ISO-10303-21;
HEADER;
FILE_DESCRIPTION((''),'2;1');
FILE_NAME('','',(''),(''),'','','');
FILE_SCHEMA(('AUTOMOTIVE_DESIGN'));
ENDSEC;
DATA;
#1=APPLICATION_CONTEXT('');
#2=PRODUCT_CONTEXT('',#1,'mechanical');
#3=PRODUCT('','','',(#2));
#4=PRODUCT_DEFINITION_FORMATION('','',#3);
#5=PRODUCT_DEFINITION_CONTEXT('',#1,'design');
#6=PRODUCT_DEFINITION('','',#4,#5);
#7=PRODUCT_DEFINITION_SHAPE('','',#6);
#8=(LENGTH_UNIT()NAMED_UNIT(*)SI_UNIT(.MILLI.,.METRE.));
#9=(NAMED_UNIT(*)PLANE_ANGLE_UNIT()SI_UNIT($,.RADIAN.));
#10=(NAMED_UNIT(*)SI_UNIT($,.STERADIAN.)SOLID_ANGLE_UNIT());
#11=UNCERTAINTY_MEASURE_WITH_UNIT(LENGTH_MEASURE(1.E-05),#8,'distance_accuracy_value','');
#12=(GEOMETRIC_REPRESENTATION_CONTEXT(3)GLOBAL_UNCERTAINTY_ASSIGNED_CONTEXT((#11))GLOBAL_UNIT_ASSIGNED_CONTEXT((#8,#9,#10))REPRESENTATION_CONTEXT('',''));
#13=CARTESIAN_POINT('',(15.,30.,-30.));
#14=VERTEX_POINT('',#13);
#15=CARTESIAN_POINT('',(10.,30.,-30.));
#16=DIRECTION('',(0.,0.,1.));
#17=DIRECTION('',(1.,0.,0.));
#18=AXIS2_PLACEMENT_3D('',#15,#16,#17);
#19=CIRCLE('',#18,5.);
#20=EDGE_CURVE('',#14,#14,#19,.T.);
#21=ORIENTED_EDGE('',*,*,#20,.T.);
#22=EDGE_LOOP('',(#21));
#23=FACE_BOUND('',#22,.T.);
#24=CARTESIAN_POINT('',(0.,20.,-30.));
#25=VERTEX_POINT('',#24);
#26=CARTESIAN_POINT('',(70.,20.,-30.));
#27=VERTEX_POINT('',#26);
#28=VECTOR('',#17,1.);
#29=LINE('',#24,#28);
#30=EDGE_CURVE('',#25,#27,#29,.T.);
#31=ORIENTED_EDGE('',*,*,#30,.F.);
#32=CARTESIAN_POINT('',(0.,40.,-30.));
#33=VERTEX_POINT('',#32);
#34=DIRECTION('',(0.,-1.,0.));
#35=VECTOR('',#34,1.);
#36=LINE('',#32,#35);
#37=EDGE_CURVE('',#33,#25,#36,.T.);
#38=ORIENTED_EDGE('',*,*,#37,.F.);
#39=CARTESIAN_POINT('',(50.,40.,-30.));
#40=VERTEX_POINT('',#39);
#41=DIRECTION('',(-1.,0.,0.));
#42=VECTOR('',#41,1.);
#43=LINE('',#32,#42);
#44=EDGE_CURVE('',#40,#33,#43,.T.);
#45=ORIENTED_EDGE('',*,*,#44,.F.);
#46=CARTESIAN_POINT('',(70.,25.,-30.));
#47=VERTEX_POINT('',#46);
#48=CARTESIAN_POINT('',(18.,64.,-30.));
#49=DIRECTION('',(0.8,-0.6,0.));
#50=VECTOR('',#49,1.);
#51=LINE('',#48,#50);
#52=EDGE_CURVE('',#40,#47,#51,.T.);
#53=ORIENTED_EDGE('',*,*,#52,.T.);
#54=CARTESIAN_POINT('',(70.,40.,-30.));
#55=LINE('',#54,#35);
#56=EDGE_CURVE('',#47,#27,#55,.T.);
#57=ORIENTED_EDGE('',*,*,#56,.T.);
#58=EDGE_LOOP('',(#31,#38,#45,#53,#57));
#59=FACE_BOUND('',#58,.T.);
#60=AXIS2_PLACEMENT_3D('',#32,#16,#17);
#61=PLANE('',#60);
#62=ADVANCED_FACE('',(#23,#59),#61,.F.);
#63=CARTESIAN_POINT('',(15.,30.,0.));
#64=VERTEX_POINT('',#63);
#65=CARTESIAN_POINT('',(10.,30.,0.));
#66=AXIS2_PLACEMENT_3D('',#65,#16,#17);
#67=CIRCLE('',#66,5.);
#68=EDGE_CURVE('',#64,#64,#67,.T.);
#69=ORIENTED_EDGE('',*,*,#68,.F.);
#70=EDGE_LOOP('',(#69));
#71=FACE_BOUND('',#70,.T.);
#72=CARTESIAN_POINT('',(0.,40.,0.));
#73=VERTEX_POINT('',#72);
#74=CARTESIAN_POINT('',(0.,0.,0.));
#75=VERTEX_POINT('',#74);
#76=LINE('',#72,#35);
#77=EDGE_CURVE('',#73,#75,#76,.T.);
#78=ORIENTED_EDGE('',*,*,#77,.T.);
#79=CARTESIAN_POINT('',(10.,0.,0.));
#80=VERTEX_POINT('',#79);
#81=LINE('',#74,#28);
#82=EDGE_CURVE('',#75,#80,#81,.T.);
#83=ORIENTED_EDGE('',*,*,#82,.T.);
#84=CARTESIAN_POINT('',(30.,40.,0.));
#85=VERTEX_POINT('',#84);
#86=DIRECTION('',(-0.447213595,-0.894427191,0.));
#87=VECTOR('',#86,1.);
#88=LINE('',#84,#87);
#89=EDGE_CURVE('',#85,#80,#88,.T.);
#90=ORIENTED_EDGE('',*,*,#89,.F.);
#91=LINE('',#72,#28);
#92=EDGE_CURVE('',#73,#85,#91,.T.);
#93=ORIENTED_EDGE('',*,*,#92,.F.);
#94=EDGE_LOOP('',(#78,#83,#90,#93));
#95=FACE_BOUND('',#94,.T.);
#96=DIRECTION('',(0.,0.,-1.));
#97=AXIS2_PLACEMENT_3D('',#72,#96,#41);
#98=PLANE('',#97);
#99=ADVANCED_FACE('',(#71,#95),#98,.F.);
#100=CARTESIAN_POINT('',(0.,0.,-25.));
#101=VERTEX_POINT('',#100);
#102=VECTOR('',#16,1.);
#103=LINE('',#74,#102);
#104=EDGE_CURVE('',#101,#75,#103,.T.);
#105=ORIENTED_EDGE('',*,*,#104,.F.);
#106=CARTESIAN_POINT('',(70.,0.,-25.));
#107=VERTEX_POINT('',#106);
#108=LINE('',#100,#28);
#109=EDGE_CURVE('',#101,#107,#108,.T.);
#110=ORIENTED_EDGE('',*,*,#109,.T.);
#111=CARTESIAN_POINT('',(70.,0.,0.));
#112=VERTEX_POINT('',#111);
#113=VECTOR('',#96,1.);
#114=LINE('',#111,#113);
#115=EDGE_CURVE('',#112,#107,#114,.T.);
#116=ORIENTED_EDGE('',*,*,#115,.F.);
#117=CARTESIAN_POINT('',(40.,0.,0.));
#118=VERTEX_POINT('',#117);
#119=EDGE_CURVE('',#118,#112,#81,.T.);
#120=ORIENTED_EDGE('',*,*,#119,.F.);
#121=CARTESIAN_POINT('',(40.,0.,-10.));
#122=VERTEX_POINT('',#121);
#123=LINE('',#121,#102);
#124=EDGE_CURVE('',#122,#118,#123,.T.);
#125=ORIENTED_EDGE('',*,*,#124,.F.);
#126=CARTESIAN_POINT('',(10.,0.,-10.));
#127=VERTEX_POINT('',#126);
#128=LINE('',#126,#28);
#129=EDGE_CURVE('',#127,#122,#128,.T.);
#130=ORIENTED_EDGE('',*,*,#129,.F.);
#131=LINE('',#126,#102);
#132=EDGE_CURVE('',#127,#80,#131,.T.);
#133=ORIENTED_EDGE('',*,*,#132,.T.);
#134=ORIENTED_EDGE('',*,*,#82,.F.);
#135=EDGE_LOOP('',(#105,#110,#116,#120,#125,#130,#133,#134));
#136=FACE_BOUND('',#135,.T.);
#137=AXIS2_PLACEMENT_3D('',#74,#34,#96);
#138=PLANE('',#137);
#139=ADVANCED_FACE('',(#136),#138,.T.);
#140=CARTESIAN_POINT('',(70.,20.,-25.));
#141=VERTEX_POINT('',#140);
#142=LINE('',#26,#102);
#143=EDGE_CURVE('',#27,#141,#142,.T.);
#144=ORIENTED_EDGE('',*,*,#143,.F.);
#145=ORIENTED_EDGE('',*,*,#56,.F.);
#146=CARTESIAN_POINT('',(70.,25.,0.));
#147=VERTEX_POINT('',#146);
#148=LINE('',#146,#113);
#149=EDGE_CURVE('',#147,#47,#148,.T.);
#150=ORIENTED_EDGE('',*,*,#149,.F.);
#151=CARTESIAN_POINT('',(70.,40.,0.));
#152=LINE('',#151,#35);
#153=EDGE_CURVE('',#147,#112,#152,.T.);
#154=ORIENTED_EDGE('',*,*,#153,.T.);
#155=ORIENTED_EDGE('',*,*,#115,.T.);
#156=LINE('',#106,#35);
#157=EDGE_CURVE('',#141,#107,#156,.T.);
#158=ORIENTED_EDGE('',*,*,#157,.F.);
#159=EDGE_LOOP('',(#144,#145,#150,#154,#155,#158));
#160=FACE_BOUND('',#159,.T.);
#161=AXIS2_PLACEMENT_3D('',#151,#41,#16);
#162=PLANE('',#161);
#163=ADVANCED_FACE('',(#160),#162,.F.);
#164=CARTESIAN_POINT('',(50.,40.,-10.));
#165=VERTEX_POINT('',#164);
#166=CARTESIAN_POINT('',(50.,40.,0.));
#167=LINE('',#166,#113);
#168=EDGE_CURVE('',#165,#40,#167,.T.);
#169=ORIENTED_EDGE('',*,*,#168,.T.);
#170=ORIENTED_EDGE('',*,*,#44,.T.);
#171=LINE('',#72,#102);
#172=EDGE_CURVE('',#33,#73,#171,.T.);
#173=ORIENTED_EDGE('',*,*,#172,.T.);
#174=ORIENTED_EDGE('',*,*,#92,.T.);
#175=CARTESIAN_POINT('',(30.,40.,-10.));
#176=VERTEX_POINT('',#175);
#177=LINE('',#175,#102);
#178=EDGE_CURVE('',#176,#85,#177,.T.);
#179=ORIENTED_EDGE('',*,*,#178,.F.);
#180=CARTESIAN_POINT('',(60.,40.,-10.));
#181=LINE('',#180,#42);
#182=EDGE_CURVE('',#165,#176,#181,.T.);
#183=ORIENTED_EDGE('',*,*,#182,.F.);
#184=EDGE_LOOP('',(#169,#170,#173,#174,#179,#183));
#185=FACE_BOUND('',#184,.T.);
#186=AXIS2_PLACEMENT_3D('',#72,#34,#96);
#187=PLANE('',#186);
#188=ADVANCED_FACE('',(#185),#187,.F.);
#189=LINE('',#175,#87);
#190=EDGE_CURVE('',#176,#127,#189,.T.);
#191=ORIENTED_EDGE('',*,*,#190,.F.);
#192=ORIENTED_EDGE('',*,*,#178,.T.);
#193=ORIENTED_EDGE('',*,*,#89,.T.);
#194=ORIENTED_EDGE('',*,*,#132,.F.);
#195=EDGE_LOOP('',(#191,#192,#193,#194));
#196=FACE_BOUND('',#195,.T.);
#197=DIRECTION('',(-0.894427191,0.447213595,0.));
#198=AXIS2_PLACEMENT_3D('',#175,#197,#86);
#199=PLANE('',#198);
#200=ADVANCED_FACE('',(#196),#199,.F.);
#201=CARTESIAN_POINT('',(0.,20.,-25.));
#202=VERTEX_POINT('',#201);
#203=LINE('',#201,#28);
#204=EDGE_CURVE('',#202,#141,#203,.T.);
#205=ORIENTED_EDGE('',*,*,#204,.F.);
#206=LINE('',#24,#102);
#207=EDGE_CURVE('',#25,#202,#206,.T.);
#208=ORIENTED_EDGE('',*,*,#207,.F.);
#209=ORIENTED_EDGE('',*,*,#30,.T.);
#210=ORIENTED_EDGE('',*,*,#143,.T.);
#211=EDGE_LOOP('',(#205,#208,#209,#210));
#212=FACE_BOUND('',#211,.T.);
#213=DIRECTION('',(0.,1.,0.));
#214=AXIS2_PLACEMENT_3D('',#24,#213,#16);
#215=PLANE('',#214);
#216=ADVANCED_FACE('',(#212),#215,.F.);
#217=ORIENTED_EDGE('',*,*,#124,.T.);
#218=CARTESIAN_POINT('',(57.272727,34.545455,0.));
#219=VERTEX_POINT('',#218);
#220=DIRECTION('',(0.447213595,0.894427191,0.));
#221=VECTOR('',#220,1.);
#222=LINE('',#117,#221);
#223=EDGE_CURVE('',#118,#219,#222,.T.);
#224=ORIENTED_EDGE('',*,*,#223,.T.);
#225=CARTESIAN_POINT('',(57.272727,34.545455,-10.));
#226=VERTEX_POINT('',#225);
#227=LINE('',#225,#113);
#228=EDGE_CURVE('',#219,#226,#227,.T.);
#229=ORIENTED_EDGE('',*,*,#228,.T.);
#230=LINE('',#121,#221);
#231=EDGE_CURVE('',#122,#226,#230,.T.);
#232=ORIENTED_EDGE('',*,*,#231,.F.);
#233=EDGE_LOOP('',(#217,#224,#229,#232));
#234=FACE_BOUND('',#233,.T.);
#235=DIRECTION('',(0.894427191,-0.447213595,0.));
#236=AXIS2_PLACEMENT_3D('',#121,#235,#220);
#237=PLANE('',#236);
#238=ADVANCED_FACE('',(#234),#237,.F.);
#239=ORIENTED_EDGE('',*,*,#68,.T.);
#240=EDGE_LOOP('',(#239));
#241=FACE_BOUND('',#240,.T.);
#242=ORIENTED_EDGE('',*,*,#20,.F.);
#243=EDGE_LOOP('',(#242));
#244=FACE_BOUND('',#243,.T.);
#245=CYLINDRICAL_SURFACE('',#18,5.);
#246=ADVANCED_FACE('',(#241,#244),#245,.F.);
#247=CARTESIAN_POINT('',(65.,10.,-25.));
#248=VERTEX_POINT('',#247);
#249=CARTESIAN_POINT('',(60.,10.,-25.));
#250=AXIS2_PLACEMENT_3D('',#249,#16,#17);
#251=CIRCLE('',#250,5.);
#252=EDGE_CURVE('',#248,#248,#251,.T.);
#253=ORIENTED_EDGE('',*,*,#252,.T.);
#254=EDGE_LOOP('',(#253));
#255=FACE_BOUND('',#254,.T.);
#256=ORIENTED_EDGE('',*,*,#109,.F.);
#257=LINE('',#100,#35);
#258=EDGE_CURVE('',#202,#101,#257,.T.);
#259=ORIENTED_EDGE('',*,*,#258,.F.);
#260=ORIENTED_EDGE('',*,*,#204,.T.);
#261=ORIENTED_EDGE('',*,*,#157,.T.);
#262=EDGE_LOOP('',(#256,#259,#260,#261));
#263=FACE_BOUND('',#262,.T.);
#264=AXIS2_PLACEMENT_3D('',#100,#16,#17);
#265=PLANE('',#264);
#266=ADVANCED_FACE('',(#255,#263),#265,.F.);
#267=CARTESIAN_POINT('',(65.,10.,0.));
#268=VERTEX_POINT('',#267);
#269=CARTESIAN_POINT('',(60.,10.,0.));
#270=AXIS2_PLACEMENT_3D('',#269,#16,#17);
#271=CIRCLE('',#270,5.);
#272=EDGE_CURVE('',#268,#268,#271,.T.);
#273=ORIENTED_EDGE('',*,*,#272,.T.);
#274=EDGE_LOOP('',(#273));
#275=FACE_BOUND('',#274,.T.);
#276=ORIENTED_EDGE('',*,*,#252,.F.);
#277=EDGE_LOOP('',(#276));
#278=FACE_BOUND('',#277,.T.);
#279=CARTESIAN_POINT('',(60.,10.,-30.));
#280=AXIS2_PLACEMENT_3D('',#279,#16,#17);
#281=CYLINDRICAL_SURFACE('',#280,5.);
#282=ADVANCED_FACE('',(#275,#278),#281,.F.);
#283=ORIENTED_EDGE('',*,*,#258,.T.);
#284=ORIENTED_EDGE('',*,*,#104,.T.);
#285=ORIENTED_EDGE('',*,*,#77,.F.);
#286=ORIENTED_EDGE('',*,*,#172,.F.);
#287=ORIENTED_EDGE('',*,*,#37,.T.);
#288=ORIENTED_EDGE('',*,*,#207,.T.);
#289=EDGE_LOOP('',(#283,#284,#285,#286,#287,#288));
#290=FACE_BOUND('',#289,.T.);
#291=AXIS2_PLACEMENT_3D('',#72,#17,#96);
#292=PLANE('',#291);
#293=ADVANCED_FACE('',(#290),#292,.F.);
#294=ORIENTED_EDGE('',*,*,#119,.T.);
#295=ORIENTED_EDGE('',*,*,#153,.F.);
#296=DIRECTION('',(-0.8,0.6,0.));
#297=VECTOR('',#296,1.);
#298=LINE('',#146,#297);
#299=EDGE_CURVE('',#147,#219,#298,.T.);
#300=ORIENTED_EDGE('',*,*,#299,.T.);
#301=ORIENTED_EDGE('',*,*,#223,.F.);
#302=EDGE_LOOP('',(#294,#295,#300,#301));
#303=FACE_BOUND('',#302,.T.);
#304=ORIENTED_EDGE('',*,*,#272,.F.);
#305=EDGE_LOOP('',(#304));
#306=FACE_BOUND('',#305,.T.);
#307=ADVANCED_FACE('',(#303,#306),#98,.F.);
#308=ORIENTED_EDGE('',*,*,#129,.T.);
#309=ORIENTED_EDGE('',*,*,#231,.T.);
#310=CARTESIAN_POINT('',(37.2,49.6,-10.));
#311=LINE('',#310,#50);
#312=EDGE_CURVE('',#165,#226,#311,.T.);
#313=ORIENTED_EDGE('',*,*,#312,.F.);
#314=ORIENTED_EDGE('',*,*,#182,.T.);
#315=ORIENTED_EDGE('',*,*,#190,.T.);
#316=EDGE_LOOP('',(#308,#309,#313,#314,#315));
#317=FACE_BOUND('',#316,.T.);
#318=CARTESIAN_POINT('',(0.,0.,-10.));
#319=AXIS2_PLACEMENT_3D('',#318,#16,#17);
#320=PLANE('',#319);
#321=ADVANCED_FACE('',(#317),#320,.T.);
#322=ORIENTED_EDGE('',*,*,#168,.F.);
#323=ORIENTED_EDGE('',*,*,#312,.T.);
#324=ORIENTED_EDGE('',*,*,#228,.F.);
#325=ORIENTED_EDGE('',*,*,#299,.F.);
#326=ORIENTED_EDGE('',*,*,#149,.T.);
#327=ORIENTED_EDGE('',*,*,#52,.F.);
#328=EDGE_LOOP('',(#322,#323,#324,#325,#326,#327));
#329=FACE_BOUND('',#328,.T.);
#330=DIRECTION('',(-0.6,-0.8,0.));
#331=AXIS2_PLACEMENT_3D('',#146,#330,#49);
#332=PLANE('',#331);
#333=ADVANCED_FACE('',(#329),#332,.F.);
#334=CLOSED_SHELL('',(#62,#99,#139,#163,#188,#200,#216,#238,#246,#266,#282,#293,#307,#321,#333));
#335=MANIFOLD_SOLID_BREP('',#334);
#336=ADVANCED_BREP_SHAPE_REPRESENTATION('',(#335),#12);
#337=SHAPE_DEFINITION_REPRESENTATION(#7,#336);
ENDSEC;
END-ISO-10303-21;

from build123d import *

# Parameters (mm, degrees)
SKETCH1_W               = 70
SKETCH1_H               = 30
BOSS_EXTRUDE1_DEPTH     = 40
CUT_EXTRUDE1_DEPTH      = 10
CUT_EXTRUDE2_DEPTH      = 1
CUT_EXTRUDE2_DEPTH_BACK = 31
SKETCH4_W               = 5
SKETCH4_H               = 20
CUT_EXTRUDE3_DEPTH      = 71
SKETCH5_R               = 5
CUT_EXTRUDE4_DEPTH      = 31
SKETCH6_R               = 5
CUT_EXTRUDE5_DEPTH      = 31


with BuildPart() as part:
    # Sketch1 → Boss-Extrude1 (new body)
    with BuildSketch(Plane(origin=(0, 0, 0), x_dir=(1, 0, 0), z_dir=(0, 1, 0))):
        with Locations((35, 15)):
            Rectangle(SKETCH1_W, SKETCH1_H)
    extrude(amount=BOSS_EXTRUDE1_DEPTH)

    # Sketch2 → Cut-Extrude1 (cut)
    with BuildSketch(Plane.XY):
        Polygon((30, 40), (10, 0), (40, 0), (60, 40), align=None)
    extrude(amount=-CUT_EXTRUDE1_DEPTH, mode=Mode.SUBTRACT)

    # Sketch3 → Cut-Extrude2 (cut, two sides)
    with BuildSketch(Plane(origin=(0, 0, -30), x_dir=(-1, 0, 0), z_dir=(0, 0, -1))) as cut_extrude2_sk:
        Polygon((-70, 40), (-70, 25), (-50, 40), align=None)
    extrude(amount=CUT_EXTRUDE2_DEPTH, mode=Mode.SUBTRACT)
    extrude(cut_extrude2_sk.sketch, amount=-CUT_EXTRUDE2_DEPTH_BACK, mode=Mode.SUBTRACT)

    # Sketch4 → Cut-Extrude3 (cut, through all)
    with BuildSketch(Plane(origin=(70, 0, 0), x_dir=(0, 0, -1), z_dir=(1, 0, 0))):
        with Locations((27.5, 10)):
            Rectangle(SKETCH4_W, SKETCH4_H)
    extrude(amount=-CUT_EXTRUDE3_DEPTH, mode=Mode.SUBTRACT)

    # Sketch5 → Cut-Extrude4 (cut, through all)
    with BuildSketch(Plane.XY):
        with Locations((60, 10)):
            Circle(SKETCH5_R)
    extrude(amount=-CUT_EXTRUDE4_DEPTH, mode=Mode.SUBTRACT)

    # Sketch6 → Cut-Extrude5 (cut, through all)
    with BuildSketch(Plane.XY):
        with Locations((10, 30)):
            Circle(SKETCH6_R)
    extrude(amount=-CUT_EXTRUDE5_DEPTH, mode=Mode.SUBTRACT)


solid = part.part
